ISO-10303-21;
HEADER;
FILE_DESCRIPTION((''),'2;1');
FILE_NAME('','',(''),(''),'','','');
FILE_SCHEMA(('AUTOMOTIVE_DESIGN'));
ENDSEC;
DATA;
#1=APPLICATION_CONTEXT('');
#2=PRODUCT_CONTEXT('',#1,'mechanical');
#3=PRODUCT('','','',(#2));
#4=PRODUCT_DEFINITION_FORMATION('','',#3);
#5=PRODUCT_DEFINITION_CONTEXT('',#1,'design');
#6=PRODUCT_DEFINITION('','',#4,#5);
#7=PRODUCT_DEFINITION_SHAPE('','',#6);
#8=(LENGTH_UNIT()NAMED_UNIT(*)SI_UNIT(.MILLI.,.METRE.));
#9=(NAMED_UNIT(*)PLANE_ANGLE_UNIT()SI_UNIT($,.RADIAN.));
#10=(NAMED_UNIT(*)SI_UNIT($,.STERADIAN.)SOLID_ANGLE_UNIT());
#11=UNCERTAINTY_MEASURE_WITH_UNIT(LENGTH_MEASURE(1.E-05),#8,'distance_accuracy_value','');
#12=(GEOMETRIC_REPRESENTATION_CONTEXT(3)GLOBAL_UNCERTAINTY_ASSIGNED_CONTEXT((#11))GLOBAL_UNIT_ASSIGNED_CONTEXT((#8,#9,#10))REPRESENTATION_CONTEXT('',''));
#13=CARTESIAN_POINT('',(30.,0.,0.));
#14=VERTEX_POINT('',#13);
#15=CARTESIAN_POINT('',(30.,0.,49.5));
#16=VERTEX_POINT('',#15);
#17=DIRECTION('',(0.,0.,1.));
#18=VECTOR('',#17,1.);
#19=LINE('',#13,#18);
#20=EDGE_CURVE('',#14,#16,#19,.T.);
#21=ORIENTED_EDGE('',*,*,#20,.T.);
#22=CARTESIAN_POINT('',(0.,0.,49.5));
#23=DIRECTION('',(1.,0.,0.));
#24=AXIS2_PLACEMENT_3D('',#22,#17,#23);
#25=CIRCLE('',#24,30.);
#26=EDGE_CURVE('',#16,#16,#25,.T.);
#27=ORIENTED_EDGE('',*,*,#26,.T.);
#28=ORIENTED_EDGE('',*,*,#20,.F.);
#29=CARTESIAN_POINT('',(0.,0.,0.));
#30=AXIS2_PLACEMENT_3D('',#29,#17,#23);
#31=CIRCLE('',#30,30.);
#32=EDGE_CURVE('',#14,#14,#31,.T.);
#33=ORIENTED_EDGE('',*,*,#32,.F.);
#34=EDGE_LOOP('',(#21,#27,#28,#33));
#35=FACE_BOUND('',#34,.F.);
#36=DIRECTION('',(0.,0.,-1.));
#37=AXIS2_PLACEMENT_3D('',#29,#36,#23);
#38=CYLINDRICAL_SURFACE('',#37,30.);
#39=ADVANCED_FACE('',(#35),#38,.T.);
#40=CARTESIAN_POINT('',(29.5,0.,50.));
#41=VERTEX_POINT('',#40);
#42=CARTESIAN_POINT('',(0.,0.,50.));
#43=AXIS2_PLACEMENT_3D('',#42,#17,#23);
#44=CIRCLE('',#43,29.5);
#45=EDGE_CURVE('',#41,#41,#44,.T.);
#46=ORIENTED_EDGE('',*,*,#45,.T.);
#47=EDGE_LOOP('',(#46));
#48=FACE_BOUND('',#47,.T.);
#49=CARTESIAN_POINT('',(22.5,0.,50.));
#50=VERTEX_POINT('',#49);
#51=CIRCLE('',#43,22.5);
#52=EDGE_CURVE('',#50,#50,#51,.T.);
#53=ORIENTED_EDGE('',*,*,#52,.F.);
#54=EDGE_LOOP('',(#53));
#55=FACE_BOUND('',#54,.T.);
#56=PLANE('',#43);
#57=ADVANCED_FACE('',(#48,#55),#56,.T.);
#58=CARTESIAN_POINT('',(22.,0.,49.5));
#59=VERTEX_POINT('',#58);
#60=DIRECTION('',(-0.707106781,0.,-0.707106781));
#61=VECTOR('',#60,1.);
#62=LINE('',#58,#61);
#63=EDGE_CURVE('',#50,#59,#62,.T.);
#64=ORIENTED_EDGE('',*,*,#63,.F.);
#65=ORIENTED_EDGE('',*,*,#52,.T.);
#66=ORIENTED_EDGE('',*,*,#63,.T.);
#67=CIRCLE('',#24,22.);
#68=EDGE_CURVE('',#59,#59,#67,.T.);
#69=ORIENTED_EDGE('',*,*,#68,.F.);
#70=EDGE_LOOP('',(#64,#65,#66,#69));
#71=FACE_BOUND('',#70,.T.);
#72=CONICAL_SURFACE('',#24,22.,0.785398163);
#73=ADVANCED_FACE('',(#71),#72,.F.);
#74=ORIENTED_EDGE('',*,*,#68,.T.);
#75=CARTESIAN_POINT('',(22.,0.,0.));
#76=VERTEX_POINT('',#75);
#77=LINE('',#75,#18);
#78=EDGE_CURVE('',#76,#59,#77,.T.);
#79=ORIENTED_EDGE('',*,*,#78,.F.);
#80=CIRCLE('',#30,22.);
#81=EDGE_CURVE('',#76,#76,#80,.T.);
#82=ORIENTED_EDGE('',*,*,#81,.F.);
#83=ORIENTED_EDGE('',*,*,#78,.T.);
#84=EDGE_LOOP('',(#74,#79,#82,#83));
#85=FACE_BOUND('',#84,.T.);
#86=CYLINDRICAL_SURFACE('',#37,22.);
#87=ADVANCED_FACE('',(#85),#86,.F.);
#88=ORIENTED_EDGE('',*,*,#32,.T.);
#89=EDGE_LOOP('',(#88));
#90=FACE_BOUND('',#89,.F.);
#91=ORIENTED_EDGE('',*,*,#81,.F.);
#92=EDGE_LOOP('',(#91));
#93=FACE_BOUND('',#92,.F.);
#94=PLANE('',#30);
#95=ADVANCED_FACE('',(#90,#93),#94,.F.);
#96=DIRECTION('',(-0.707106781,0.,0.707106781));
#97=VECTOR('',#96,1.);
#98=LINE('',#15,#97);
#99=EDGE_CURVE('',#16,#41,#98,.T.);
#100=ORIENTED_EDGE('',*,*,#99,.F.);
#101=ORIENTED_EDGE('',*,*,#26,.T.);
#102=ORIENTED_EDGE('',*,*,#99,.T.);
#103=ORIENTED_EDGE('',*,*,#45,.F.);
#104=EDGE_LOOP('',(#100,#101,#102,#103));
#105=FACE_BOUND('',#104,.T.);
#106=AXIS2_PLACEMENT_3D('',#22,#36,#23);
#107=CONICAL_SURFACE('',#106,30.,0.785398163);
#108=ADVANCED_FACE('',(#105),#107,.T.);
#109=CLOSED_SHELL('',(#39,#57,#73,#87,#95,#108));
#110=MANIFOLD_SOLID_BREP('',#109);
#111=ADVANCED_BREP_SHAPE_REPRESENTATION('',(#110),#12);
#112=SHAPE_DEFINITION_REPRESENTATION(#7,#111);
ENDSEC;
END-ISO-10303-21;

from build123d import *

# Parameters (mm, degrees)
F0_R     = 30
F0_R_2   = 22
F1_DEPTH = 50
F2_SIZE  = 0.5
F3_SIZE  = 0.5


with BuildPart() as f1:
    # F0 (on Top) → F1 (new body)
    with BuildSketch(Plane.XY):
        Circle(F0_R)
        Circle(F0_R_2, mode=Mode.SUBTRACT)
    extrude(amount=F1_DEPTH)

    # F2
    f2_edges = [f1.edges().sort_by_distance(p)[0] for p in [
        (-30, 0, 50),
    ]]
    chamfer(f2_edges, length=F2_SIZE)

    # F3
    f3_edges = [f1.edges().sort_by_distance(p)[0] for p in [
        (-22, 0, 50),
    ]]
    chamfer(f3_edges, length=F3_SIZE)


solid = f1.part
